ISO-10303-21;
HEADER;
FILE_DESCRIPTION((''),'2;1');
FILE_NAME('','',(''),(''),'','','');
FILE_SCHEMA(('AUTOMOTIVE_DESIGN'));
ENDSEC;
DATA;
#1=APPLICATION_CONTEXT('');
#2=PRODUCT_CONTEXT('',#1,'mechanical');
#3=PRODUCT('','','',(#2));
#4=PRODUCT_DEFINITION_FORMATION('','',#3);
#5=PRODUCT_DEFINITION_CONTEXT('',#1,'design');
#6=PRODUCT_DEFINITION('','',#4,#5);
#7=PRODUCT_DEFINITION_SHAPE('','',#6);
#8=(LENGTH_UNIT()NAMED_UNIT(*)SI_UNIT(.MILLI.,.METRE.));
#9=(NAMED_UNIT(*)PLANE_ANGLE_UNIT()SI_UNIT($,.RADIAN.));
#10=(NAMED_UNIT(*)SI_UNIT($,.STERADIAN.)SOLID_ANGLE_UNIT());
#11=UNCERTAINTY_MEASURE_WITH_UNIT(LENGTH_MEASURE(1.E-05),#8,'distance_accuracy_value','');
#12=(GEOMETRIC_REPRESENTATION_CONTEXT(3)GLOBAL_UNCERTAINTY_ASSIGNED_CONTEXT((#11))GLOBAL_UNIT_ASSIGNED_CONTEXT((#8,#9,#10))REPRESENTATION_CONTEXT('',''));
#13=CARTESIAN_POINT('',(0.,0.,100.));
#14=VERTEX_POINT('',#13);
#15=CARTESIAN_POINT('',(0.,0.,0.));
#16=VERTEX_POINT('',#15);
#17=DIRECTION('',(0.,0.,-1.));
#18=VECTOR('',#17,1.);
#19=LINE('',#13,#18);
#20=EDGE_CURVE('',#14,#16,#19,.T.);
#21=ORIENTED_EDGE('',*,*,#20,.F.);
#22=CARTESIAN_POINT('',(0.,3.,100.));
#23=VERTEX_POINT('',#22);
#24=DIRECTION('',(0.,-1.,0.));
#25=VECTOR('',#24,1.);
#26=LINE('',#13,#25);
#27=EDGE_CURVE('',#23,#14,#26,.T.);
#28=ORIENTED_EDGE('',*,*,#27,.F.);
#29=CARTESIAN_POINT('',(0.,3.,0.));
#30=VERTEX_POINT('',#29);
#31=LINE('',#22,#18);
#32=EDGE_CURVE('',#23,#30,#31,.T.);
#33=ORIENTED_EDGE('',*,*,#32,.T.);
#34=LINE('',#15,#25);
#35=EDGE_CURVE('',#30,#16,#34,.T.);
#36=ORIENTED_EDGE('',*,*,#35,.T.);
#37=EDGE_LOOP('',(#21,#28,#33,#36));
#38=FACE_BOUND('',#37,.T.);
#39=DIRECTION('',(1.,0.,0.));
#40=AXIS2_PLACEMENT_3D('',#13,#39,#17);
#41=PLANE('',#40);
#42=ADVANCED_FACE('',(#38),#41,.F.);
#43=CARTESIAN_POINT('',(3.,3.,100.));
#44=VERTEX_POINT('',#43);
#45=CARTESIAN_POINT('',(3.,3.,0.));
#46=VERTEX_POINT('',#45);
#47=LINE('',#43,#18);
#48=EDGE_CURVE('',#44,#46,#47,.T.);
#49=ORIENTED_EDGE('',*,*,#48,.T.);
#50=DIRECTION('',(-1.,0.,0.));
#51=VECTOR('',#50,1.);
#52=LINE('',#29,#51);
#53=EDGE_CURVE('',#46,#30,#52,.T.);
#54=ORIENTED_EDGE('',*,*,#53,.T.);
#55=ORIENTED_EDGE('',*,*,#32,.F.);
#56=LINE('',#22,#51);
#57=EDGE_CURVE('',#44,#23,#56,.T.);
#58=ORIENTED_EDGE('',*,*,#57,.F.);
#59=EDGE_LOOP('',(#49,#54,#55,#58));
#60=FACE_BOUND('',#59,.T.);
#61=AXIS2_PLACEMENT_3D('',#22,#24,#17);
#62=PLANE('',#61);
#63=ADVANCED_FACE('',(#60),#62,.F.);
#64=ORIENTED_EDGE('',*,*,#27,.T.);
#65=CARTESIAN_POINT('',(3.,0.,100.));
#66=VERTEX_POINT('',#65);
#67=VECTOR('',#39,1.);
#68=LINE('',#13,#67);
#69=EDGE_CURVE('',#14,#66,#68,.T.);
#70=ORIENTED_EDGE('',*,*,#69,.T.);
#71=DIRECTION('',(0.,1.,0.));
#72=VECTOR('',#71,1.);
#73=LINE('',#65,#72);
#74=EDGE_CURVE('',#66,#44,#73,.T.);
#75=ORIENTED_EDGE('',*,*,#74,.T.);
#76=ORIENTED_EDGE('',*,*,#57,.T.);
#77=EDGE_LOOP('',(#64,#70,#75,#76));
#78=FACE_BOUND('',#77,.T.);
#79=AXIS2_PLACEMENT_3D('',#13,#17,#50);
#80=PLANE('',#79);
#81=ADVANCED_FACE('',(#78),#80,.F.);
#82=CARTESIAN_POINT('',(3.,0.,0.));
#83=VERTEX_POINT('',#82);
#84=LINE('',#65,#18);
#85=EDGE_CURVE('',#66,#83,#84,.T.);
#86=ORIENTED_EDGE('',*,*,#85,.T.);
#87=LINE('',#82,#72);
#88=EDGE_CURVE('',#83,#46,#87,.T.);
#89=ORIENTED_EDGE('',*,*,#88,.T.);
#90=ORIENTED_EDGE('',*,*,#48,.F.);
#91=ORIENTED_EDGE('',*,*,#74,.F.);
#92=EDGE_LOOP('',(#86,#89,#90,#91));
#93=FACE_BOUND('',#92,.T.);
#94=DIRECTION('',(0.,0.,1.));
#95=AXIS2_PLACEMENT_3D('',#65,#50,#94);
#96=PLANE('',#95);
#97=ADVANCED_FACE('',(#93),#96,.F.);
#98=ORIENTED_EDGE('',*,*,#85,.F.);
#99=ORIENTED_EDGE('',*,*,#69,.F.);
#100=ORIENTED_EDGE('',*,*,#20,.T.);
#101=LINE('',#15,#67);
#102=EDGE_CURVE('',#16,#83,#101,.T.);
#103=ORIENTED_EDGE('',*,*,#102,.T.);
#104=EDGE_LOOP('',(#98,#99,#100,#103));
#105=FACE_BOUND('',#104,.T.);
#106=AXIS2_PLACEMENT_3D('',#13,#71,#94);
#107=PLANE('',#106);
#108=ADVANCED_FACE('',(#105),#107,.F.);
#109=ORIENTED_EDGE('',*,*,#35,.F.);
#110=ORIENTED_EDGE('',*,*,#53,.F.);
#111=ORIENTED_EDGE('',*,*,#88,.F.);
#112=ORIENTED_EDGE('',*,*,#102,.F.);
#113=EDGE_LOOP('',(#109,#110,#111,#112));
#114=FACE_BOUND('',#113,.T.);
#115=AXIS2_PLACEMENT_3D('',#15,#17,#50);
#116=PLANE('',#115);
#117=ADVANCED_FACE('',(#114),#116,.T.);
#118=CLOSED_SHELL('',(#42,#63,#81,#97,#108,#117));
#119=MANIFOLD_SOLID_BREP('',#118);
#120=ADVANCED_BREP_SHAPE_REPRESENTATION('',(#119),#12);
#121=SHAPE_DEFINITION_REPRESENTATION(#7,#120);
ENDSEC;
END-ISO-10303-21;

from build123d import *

# Parameters (mm, degrees)
SKETCH_1_W      = 3
SKETCH_1_H      = 3
EXTRUDE_1_DEPTH = 100


with BuildPart() as part:
    # 草图1 → 凸台-拉伸1 (new body)
    with BuildSketch(Plane.XY):
        with Locations((1.5, 1.5)):
            Rectangle(SKETCH_1_W, SKETCH_1_H)
    extrude(amount=EXTRUDE_1_DEPTH)


solid = part.part
